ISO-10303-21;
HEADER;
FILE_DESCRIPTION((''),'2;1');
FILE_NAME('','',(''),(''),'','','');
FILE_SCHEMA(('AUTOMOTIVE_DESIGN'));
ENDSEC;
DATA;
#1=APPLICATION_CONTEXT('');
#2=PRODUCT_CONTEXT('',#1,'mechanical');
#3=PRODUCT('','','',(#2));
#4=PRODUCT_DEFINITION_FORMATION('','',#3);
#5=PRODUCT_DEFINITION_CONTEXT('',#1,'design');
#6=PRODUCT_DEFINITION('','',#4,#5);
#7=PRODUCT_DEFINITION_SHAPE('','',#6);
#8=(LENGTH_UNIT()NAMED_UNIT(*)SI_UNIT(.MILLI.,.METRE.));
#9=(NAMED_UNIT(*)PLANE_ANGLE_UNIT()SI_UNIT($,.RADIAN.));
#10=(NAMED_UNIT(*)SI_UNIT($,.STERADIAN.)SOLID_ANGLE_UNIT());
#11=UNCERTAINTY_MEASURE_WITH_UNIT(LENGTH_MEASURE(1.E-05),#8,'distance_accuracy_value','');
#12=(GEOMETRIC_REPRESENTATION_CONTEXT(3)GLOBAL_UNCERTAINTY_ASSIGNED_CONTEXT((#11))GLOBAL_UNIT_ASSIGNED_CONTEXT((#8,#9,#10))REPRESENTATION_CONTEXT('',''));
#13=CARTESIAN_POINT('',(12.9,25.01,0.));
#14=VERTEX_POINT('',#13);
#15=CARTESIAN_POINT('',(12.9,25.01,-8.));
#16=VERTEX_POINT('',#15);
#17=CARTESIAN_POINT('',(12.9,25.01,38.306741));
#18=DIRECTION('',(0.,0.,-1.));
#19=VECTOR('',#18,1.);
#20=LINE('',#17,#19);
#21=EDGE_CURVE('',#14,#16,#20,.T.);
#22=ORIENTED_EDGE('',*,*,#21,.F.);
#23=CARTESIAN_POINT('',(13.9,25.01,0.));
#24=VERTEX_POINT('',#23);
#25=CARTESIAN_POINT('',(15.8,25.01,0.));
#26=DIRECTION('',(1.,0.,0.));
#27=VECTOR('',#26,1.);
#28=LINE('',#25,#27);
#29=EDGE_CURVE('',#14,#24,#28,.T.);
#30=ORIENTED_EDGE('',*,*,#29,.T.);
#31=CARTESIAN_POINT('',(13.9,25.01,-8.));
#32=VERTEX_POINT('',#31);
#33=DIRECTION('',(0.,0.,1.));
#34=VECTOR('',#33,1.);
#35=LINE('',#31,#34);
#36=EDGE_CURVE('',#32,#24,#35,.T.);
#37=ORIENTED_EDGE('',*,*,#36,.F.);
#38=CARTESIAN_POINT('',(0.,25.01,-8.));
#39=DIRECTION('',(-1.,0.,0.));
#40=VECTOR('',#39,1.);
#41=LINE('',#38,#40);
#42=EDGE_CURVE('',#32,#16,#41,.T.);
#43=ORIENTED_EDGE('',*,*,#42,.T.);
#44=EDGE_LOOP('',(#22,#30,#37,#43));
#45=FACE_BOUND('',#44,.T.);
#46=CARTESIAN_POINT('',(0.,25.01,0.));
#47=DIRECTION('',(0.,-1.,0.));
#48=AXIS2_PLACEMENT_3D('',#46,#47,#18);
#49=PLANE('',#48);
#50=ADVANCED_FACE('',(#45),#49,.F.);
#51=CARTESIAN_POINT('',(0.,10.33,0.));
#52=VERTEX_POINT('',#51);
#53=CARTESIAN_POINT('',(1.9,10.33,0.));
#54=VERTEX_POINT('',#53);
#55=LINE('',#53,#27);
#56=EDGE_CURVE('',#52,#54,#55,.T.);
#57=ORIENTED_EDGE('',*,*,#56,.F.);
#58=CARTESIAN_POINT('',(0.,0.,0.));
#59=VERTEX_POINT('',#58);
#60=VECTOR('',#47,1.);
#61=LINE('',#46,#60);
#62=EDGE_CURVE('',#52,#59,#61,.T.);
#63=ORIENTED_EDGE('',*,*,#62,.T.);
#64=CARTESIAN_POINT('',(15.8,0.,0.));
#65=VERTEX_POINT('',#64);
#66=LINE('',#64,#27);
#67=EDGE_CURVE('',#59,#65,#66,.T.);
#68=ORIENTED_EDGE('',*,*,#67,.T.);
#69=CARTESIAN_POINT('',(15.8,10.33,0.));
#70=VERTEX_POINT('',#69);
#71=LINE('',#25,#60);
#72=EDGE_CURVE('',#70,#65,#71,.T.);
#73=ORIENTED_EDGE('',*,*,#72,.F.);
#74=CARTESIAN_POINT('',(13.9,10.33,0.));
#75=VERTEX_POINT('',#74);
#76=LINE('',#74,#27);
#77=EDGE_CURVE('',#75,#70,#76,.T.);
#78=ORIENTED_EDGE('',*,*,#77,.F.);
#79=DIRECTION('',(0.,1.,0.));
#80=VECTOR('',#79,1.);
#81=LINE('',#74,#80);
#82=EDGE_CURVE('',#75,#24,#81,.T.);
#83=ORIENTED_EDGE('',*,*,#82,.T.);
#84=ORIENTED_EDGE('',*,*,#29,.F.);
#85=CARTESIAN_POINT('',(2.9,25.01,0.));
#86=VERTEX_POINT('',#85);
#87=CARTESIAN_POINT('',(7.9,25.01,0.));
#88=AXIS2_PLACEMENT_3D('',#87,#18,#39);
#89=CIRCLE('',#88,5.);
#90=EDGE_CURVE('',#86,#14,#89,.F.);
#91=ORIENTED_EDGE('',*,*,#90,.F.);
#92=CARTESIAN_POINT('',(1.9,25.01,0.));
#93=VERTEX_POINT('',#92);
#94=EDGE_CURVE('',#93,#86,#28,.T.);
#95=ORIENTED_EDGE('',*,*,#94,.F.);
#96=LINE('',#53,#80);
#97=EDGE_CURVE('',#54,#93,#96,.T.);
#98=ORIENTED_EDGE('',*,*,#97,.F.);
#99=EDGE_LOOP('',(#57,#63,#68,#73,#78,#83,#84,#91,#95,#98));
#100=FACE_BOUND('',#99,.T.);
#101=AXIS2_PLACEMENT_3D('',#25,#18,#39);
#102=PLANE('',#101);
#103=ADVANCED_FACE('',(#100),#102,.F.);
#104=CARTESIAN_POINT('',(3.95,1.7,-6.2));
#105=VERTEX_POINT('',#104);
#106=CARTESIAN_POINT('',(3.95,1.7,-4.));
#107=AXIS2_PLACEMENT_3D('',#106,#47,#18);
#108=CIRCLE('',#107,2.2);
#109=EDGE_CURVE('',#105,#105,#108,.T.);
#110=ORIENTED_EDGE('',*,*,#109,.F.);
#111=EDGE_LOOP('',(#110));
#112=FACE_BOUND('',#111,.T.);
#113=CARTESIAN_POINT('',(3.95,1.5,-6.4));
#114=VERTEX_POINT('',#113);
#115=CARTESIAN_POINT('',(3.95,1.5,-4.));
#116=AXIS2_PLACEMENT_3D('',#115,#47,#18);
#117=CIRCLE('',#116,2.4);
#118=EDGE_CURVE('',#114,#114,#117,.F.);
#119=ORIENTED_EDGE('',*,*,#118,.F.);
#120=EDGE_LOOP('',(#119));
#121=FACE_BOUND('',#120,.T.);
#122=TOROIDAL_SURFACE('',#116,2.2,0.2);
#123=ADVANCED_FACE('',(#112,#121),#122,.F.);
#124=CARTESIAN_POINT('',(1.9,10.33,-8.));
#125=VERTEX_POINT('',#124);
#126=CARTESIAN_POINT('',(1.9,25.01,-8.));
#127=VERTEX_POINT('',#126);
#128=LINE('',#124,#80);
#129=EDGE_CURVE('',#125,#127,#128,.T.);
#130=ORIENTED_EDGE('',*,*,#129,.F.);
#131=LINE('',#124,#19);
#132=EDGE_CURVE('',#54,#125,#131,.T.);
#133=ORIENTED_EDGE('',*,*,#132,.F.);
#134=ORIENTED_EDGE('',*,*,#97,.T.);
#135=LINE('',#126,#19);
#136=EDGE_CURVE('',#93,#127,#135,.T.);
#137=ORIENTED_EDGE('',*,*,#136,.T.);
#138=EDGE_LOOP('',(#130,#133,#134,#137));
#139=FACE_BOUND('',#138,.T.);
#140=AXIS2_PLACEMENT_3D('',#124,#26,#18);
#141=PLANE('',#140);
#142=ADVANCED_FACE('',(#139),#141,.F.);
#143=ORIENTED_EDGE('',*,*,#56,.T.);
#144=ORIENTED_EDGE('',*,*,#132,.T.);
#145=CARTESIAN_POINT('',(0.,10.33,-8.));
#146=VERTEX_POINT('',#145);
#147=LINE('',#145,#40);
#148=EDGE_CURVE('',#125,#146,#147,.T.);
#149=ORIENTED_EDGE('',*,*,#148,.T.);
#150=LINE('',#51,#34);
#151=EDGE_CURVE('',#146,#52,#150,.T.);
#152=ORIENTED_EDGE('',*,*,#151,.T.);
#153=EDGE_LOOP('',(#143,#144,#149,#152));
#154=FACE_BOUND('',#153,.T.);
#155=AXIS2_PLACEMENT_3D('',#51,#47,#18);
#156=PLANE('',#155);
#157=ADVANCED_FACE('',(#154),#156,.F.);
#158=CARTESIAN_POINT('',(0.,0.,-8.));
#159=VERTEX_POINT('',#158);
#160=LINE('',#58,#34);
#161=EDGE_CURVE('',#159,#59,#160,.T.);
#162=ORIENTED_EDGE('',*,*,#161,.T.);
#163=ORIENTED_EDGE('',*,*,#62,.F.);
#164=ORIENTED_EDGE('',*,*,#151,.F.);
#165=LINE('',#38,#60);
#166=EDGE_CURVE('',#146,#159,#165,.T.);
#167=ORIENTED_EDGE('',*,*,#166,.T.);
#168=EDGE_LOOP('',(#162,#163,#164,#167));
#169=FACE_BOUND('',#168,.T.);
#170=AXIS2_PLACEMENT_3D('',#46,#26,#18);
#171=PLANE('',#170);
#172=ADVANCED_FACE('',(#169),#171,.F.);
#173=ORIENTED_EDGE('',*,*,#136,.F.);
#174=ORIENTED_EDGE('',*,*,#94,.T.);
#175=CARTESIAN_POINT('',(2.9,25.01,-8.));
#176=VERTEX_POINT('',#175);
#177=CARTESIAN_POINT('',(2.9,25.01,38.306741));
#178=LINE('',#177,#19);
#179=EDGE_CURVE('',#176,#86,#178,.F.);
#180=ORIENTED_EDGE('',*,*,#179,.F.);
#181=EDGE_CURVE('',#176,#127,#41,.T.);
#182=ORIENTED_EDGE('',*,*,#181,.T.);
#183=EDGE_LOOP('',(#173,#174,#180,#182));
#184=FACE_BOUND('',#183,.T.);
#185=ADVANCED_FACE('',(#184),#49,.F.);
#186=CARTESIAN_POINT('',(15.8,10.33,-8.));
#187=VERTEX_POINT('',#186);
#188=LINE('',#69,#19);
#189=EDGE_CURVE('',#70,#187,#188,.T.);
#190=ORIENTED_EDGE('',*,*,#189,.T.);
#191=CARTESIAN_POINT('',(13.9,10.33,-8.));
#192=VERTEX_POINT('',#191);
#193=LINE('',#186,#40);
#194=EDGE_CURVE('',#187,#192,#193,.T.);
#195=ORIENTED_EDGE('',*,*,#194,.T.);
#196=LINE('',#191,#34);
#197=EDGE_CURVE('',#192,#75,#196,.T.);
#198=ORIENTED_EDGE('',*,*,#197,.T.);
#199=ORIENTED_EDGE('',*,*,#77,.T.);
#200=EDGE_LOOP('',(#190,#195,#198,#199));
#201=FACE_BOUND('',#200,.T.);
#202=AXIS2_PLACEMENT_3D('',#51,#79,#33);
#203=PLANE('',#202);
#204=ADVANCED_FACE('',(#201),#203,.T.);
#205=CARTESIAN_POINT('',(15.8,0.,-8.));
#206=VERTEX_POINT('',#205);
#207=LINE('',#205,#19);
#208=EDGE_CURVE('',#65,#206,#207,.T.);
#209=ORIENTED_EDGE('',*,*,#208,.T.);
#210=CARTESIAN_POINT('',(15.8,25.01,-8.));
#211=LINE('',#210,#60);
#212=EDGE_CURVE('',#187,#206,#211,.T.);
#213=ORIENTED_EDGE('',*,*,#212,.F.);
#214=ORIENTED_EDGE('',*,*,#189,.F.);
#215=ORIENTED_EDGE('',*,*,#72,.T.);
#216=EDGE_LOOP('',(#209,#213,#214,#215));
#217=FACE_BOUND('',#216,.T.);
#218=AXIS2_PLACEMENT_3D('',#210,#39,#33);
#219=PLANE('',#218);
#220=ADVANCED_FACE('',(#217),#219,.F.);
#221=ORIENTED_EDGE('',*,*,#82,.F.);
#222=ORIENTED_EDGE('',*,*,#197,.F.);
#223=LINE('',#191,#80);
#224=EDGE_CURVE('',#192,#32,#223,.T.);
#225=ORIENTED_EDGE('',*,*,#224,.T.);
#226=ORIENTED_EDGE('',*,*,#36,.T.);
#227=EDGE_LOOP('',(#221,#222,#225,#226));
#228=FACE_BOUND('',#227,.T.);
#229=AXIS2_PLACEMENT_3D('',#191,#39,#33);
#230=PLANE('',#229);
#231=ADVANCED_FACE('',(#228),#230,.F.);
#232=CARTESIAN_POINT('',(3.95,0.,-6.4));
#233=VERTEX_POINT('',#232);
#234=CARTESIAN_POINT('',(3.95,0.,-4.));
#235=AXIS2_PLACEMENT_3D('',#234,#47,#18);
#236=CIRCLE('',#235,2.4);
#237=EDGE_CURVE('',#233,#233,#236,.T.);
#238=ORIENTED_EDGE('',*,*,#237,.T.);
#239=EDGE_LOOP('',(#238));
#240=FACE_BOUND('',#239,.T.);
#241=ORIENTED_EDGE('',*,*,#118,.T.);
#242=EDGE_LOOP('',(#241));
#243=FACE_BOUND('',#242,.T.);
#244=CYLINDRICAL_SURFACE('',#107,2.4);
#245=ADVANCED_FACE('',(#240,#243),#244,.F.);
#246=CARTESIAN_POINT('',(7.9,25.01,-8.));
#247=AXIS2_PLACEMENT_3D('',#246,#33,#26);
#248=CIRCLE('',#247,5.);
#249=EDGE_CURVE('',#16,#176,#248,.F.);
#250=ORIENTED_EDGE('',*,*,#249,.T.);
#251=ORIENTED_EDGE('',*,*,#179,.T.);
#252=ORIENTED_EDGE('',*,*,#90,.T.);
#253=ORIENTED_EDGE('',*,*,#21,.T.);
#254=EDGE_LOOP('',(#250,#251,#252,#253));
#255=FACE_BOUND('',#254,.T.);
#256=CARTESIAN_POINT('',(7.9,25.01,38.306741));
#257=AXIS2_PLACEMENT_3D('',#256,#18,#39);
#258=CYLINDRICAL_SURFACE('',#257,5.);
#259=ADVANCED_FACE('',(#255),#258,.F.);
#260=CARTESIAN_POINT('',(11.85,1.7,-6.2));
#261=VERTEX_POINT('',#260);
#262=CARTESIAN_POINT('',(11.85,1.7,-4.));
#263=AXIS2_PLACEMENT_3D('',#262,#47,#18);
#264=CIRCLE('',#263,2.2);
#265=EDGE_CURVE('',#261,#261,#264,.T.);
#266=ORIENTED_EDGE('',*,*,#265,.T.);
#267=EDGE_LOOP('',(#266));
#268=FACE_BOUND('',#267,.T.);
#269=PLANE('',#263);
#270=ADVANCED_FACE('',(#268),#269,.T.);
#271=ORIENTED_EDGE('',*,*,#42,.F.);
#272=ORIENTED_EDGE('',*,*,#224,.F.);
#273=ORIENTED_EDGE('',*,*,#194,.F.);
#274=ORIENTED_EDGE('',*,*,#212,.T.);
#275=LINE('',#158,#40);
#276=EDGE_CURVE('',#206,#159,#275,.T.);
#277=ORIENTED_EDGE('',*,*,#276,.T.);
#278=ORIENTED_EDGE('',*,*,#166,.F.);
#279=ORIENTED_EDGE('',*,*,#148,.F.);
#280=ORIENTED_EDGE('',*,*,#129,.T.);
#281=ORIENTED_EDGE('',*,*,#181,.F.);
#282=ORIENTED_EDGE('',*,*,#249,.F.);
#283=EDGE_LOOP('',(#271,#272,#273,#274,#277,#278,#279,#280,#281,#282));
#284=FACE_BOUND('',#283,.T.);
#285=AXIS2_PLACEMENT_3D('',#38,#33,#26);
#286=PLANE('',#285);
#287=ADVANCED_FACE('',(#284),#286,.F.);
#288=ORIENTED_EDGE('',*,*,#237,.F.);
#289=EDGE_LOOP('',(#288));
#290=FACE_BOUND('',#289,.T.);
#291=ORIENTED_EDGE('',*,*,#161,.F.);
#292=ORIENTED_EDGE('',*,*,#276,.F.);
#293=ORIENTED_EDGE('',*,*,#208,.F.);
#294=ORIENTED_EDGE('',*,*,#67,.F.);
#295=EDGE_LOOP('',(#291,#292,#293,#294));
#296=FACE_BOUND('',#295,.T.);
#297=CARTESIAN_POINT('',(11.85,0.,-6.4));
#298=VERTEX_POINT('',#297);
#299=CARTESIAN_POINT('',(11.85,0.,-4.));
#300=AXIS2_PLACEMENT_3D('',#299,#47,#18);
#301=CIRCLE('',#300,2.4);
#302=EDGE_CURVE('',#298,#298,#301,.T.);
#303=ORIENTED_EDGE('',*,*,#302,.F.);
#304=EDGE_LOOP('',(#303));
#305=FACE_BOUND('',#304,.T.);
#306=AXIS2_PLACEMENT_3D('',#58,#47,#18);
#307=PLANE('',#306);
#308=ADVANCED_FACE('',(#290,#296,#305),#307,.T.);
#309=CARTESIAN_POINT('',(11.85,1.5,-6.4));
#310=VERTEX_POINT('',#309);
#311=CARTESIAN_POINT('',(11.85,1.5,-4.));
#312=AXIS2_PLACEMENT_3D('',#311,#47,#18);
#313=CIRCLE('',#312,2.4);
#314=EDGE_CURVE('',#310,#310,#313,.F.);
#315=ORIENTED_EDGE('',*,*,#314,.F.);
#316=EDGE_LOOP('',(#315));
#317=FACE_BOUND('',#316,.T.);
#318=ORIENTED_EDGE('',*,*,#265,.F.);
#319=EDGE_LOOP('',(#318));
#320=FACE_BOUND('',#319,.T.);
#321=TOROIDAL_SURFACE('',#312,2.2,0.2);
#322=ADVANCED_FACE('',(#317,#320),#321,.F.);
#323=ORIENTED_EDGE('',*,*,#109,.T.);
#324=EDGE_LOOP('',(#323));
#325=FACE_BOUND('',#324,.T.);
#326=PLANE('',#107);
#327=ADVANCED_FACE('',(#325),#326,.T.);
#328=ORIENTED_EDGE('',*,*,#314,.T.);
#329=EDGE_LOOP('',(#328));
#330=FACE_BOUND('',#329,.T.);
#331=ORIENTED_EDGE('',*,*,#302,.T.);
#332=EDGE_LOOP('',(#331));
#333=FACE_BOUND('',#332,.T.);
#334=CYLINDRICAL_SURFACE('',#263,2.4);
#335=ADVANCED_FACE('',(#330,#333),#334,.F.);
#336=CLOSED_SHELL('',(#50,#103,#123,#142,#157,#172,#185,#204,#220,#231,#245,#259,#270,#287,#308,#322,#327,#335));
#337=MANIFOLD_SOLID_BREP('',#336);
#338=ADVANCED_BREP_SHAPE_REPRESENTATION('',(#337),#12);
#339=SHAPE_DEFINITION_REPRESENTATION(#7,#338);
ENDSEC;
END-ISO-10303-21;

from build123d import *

# Parameters (mm, degrees)
ESQUISSE1_W                  = 15.8
ESQUISSE1_H                  = 8
BOSS_EXTRU_1_DEPTH           = 25.01
ESQUISSE2_R                  = 2.4
ENL_V_MAT_EXTRU_1_DEPTH      = 1.7
ESQUISSE3_W                  = 1.9
ESQUISSE3_H                  = 8
ENL_V_MAT_EXTRU_2_DEPTH      = 14.68
CONG_1_R                     = 0.2
ENL_V_MAT_EXTRU_4_DEPTH      = 31.645392802
ENL_V_MAT_EXTRU_4_DEPTH_BACK = 31.645392802


with BuildPart() as part:
    # Esquisse1 → Boss.-Extru.1 (new body)
    with BuildSketch(Plane(origin=(0, 0, 0), x_dir=(1, 0, 0), z_dir=(0, 1, 0))):
        with Locations((7.9, 4)):
            Rectangle(ESQUISSE1_W, ESQUISSE1_H)
    extrude(amount=BOSS_EXTRU_1_DEPTH)

    # Esquisse2 → Enlèv. mat.-Extru.1 (cut)
    with BuildSketch(Plane.XZ):
        with Locations(Location((3.95, -4, 0), (0, 0, 270))):
            Circle(ESQUISSE2_R)
        with Locations(Location((11.85, -4, 0), (0, 0, 270))):
            Circle(ESQUISSE2_R)
    extrude(amount=-ENL_V_MAT_EXTRU_1_DEPTH, mode=Mode.SUBTRACT)

    # Esquisse3 → Enlèv. mat.-Extru.2 (cut)
    with BuildSketch(Plane(origin=(0, 25.01, 0), x_dir=(1, 0, 0), z_dir=(0, 1, 0))):
        with Locations((0.95, 4)):
            Rectangle(ESQUISSE3_W, ESQUISSE3_H)
        with Locations((14.85, 4)):
            Rectangle(ESQUISSE3_W, ESQUISSE3_H)
    extrude(amount=-ENL_V_MAT_EXTRU_2_DEPTH, mode=Mode.SUBTRACT)

    # Congé1
    cong_1_edges = [part.edges().sort_by_distance(p)[0] for p in [
        (3.95, 1.7, -1.6),
        (11.85, 1.7, -1.6),
    ]]
    fillet(cong_1_edges, radius=CONG_1_R)

    # Esquisse5 → Enlèv. mat.-Extru.4 (cut, two sides: drawn at the far end of the back side and taken through both)
    with BuildSketch(Plane.XY.offset(-ENL_V_MAT_EXTRU_4_DEPTH_BACK)):
        with BuildLine():
            Line((2.9, 91.29179457), (2.9, 25.01))
            ThreePointArc((2.9, 25.01), (7.9, 20.01), (12.9, 25.01))
            Line((12.9, 25.01), (12.9, 91.29179457))
            Line((12.9, 91.29179457), (12.9, 223.855383709))
            Line((12.9, 223.855383709), (2.9, 223.855383709))
            Line((2.9, 223.855383709), (2.9, 91.29179457))
        make_face()
    extrude(amount=ENL_V_MAT_EXTRU_4_DEPTH + ENL_V_MAT_EXTRU_4_DEPTH_BACK, mode=Mode.SUBTRACT)


solid = part.part
